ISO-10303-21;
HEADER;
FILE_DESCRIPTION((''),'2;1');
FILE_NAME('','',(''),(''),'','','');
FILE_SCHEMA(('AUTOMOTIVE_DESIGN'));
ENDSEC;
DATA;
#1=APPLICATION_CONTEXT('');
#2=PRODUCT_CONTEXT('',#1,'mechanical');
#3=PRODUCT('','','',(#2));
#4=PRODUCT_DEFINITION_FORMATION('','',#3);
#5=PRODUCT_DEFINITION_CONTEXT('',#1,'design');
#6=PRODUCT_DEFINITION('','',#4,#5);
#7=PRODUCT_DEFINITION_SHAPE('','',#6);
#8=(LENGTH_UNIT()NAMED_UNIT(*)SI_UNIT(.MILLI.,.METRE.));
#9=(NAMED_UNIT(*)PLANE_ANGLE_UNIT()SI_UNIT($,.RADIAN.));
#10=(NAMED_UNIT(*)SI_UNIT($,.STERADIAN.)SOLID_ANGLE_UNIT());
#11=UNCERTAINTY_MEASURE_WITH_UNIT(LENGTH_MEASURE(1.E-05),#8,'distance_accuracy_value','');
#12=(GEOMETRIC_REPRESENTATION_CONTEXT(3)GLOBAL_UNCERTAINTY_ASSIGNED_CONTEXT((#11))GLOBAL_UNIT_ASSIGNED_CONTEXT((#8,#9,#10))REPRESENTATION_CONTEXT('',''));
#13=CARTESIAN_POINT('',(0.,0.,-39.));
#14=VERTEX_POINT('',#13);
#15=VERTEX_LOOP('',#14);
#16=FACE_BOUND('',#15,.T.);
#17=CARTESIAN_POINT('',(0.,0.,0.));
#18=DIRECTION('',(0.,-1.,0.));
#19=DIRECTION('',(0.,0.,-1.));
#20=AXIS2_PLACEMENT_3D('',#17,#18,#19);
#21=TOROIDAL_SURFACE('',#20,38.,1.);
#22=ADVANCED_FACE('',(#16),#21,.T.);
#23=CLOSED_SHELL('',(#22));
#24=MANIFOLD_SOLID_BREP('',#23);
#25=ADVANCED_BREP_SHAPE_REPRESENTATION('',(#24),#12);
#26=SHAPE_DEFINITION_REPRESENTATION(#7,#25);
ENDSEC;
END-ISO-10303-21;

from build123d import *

# Parameters (mm, degrees)
SKETCH1_R = 1


with BuildPart() as part:
    # Sketch1 → Revolve1 (revolve)
    with BuildSketch(Plane.XY, mode=Mode.PRIVATE) as revolve1_sk:
        with Locations((38, 0)):
            Circle(SKETCH1_R)
    revolve(revolve1_sk.sketch.rotate(Axis((0, 0, 0), (0, 1, 0)), 90), axis=Axis((0, 0, 0), (0, 1, 0)))  # turned: the seam where the file's is


solid = part.part
